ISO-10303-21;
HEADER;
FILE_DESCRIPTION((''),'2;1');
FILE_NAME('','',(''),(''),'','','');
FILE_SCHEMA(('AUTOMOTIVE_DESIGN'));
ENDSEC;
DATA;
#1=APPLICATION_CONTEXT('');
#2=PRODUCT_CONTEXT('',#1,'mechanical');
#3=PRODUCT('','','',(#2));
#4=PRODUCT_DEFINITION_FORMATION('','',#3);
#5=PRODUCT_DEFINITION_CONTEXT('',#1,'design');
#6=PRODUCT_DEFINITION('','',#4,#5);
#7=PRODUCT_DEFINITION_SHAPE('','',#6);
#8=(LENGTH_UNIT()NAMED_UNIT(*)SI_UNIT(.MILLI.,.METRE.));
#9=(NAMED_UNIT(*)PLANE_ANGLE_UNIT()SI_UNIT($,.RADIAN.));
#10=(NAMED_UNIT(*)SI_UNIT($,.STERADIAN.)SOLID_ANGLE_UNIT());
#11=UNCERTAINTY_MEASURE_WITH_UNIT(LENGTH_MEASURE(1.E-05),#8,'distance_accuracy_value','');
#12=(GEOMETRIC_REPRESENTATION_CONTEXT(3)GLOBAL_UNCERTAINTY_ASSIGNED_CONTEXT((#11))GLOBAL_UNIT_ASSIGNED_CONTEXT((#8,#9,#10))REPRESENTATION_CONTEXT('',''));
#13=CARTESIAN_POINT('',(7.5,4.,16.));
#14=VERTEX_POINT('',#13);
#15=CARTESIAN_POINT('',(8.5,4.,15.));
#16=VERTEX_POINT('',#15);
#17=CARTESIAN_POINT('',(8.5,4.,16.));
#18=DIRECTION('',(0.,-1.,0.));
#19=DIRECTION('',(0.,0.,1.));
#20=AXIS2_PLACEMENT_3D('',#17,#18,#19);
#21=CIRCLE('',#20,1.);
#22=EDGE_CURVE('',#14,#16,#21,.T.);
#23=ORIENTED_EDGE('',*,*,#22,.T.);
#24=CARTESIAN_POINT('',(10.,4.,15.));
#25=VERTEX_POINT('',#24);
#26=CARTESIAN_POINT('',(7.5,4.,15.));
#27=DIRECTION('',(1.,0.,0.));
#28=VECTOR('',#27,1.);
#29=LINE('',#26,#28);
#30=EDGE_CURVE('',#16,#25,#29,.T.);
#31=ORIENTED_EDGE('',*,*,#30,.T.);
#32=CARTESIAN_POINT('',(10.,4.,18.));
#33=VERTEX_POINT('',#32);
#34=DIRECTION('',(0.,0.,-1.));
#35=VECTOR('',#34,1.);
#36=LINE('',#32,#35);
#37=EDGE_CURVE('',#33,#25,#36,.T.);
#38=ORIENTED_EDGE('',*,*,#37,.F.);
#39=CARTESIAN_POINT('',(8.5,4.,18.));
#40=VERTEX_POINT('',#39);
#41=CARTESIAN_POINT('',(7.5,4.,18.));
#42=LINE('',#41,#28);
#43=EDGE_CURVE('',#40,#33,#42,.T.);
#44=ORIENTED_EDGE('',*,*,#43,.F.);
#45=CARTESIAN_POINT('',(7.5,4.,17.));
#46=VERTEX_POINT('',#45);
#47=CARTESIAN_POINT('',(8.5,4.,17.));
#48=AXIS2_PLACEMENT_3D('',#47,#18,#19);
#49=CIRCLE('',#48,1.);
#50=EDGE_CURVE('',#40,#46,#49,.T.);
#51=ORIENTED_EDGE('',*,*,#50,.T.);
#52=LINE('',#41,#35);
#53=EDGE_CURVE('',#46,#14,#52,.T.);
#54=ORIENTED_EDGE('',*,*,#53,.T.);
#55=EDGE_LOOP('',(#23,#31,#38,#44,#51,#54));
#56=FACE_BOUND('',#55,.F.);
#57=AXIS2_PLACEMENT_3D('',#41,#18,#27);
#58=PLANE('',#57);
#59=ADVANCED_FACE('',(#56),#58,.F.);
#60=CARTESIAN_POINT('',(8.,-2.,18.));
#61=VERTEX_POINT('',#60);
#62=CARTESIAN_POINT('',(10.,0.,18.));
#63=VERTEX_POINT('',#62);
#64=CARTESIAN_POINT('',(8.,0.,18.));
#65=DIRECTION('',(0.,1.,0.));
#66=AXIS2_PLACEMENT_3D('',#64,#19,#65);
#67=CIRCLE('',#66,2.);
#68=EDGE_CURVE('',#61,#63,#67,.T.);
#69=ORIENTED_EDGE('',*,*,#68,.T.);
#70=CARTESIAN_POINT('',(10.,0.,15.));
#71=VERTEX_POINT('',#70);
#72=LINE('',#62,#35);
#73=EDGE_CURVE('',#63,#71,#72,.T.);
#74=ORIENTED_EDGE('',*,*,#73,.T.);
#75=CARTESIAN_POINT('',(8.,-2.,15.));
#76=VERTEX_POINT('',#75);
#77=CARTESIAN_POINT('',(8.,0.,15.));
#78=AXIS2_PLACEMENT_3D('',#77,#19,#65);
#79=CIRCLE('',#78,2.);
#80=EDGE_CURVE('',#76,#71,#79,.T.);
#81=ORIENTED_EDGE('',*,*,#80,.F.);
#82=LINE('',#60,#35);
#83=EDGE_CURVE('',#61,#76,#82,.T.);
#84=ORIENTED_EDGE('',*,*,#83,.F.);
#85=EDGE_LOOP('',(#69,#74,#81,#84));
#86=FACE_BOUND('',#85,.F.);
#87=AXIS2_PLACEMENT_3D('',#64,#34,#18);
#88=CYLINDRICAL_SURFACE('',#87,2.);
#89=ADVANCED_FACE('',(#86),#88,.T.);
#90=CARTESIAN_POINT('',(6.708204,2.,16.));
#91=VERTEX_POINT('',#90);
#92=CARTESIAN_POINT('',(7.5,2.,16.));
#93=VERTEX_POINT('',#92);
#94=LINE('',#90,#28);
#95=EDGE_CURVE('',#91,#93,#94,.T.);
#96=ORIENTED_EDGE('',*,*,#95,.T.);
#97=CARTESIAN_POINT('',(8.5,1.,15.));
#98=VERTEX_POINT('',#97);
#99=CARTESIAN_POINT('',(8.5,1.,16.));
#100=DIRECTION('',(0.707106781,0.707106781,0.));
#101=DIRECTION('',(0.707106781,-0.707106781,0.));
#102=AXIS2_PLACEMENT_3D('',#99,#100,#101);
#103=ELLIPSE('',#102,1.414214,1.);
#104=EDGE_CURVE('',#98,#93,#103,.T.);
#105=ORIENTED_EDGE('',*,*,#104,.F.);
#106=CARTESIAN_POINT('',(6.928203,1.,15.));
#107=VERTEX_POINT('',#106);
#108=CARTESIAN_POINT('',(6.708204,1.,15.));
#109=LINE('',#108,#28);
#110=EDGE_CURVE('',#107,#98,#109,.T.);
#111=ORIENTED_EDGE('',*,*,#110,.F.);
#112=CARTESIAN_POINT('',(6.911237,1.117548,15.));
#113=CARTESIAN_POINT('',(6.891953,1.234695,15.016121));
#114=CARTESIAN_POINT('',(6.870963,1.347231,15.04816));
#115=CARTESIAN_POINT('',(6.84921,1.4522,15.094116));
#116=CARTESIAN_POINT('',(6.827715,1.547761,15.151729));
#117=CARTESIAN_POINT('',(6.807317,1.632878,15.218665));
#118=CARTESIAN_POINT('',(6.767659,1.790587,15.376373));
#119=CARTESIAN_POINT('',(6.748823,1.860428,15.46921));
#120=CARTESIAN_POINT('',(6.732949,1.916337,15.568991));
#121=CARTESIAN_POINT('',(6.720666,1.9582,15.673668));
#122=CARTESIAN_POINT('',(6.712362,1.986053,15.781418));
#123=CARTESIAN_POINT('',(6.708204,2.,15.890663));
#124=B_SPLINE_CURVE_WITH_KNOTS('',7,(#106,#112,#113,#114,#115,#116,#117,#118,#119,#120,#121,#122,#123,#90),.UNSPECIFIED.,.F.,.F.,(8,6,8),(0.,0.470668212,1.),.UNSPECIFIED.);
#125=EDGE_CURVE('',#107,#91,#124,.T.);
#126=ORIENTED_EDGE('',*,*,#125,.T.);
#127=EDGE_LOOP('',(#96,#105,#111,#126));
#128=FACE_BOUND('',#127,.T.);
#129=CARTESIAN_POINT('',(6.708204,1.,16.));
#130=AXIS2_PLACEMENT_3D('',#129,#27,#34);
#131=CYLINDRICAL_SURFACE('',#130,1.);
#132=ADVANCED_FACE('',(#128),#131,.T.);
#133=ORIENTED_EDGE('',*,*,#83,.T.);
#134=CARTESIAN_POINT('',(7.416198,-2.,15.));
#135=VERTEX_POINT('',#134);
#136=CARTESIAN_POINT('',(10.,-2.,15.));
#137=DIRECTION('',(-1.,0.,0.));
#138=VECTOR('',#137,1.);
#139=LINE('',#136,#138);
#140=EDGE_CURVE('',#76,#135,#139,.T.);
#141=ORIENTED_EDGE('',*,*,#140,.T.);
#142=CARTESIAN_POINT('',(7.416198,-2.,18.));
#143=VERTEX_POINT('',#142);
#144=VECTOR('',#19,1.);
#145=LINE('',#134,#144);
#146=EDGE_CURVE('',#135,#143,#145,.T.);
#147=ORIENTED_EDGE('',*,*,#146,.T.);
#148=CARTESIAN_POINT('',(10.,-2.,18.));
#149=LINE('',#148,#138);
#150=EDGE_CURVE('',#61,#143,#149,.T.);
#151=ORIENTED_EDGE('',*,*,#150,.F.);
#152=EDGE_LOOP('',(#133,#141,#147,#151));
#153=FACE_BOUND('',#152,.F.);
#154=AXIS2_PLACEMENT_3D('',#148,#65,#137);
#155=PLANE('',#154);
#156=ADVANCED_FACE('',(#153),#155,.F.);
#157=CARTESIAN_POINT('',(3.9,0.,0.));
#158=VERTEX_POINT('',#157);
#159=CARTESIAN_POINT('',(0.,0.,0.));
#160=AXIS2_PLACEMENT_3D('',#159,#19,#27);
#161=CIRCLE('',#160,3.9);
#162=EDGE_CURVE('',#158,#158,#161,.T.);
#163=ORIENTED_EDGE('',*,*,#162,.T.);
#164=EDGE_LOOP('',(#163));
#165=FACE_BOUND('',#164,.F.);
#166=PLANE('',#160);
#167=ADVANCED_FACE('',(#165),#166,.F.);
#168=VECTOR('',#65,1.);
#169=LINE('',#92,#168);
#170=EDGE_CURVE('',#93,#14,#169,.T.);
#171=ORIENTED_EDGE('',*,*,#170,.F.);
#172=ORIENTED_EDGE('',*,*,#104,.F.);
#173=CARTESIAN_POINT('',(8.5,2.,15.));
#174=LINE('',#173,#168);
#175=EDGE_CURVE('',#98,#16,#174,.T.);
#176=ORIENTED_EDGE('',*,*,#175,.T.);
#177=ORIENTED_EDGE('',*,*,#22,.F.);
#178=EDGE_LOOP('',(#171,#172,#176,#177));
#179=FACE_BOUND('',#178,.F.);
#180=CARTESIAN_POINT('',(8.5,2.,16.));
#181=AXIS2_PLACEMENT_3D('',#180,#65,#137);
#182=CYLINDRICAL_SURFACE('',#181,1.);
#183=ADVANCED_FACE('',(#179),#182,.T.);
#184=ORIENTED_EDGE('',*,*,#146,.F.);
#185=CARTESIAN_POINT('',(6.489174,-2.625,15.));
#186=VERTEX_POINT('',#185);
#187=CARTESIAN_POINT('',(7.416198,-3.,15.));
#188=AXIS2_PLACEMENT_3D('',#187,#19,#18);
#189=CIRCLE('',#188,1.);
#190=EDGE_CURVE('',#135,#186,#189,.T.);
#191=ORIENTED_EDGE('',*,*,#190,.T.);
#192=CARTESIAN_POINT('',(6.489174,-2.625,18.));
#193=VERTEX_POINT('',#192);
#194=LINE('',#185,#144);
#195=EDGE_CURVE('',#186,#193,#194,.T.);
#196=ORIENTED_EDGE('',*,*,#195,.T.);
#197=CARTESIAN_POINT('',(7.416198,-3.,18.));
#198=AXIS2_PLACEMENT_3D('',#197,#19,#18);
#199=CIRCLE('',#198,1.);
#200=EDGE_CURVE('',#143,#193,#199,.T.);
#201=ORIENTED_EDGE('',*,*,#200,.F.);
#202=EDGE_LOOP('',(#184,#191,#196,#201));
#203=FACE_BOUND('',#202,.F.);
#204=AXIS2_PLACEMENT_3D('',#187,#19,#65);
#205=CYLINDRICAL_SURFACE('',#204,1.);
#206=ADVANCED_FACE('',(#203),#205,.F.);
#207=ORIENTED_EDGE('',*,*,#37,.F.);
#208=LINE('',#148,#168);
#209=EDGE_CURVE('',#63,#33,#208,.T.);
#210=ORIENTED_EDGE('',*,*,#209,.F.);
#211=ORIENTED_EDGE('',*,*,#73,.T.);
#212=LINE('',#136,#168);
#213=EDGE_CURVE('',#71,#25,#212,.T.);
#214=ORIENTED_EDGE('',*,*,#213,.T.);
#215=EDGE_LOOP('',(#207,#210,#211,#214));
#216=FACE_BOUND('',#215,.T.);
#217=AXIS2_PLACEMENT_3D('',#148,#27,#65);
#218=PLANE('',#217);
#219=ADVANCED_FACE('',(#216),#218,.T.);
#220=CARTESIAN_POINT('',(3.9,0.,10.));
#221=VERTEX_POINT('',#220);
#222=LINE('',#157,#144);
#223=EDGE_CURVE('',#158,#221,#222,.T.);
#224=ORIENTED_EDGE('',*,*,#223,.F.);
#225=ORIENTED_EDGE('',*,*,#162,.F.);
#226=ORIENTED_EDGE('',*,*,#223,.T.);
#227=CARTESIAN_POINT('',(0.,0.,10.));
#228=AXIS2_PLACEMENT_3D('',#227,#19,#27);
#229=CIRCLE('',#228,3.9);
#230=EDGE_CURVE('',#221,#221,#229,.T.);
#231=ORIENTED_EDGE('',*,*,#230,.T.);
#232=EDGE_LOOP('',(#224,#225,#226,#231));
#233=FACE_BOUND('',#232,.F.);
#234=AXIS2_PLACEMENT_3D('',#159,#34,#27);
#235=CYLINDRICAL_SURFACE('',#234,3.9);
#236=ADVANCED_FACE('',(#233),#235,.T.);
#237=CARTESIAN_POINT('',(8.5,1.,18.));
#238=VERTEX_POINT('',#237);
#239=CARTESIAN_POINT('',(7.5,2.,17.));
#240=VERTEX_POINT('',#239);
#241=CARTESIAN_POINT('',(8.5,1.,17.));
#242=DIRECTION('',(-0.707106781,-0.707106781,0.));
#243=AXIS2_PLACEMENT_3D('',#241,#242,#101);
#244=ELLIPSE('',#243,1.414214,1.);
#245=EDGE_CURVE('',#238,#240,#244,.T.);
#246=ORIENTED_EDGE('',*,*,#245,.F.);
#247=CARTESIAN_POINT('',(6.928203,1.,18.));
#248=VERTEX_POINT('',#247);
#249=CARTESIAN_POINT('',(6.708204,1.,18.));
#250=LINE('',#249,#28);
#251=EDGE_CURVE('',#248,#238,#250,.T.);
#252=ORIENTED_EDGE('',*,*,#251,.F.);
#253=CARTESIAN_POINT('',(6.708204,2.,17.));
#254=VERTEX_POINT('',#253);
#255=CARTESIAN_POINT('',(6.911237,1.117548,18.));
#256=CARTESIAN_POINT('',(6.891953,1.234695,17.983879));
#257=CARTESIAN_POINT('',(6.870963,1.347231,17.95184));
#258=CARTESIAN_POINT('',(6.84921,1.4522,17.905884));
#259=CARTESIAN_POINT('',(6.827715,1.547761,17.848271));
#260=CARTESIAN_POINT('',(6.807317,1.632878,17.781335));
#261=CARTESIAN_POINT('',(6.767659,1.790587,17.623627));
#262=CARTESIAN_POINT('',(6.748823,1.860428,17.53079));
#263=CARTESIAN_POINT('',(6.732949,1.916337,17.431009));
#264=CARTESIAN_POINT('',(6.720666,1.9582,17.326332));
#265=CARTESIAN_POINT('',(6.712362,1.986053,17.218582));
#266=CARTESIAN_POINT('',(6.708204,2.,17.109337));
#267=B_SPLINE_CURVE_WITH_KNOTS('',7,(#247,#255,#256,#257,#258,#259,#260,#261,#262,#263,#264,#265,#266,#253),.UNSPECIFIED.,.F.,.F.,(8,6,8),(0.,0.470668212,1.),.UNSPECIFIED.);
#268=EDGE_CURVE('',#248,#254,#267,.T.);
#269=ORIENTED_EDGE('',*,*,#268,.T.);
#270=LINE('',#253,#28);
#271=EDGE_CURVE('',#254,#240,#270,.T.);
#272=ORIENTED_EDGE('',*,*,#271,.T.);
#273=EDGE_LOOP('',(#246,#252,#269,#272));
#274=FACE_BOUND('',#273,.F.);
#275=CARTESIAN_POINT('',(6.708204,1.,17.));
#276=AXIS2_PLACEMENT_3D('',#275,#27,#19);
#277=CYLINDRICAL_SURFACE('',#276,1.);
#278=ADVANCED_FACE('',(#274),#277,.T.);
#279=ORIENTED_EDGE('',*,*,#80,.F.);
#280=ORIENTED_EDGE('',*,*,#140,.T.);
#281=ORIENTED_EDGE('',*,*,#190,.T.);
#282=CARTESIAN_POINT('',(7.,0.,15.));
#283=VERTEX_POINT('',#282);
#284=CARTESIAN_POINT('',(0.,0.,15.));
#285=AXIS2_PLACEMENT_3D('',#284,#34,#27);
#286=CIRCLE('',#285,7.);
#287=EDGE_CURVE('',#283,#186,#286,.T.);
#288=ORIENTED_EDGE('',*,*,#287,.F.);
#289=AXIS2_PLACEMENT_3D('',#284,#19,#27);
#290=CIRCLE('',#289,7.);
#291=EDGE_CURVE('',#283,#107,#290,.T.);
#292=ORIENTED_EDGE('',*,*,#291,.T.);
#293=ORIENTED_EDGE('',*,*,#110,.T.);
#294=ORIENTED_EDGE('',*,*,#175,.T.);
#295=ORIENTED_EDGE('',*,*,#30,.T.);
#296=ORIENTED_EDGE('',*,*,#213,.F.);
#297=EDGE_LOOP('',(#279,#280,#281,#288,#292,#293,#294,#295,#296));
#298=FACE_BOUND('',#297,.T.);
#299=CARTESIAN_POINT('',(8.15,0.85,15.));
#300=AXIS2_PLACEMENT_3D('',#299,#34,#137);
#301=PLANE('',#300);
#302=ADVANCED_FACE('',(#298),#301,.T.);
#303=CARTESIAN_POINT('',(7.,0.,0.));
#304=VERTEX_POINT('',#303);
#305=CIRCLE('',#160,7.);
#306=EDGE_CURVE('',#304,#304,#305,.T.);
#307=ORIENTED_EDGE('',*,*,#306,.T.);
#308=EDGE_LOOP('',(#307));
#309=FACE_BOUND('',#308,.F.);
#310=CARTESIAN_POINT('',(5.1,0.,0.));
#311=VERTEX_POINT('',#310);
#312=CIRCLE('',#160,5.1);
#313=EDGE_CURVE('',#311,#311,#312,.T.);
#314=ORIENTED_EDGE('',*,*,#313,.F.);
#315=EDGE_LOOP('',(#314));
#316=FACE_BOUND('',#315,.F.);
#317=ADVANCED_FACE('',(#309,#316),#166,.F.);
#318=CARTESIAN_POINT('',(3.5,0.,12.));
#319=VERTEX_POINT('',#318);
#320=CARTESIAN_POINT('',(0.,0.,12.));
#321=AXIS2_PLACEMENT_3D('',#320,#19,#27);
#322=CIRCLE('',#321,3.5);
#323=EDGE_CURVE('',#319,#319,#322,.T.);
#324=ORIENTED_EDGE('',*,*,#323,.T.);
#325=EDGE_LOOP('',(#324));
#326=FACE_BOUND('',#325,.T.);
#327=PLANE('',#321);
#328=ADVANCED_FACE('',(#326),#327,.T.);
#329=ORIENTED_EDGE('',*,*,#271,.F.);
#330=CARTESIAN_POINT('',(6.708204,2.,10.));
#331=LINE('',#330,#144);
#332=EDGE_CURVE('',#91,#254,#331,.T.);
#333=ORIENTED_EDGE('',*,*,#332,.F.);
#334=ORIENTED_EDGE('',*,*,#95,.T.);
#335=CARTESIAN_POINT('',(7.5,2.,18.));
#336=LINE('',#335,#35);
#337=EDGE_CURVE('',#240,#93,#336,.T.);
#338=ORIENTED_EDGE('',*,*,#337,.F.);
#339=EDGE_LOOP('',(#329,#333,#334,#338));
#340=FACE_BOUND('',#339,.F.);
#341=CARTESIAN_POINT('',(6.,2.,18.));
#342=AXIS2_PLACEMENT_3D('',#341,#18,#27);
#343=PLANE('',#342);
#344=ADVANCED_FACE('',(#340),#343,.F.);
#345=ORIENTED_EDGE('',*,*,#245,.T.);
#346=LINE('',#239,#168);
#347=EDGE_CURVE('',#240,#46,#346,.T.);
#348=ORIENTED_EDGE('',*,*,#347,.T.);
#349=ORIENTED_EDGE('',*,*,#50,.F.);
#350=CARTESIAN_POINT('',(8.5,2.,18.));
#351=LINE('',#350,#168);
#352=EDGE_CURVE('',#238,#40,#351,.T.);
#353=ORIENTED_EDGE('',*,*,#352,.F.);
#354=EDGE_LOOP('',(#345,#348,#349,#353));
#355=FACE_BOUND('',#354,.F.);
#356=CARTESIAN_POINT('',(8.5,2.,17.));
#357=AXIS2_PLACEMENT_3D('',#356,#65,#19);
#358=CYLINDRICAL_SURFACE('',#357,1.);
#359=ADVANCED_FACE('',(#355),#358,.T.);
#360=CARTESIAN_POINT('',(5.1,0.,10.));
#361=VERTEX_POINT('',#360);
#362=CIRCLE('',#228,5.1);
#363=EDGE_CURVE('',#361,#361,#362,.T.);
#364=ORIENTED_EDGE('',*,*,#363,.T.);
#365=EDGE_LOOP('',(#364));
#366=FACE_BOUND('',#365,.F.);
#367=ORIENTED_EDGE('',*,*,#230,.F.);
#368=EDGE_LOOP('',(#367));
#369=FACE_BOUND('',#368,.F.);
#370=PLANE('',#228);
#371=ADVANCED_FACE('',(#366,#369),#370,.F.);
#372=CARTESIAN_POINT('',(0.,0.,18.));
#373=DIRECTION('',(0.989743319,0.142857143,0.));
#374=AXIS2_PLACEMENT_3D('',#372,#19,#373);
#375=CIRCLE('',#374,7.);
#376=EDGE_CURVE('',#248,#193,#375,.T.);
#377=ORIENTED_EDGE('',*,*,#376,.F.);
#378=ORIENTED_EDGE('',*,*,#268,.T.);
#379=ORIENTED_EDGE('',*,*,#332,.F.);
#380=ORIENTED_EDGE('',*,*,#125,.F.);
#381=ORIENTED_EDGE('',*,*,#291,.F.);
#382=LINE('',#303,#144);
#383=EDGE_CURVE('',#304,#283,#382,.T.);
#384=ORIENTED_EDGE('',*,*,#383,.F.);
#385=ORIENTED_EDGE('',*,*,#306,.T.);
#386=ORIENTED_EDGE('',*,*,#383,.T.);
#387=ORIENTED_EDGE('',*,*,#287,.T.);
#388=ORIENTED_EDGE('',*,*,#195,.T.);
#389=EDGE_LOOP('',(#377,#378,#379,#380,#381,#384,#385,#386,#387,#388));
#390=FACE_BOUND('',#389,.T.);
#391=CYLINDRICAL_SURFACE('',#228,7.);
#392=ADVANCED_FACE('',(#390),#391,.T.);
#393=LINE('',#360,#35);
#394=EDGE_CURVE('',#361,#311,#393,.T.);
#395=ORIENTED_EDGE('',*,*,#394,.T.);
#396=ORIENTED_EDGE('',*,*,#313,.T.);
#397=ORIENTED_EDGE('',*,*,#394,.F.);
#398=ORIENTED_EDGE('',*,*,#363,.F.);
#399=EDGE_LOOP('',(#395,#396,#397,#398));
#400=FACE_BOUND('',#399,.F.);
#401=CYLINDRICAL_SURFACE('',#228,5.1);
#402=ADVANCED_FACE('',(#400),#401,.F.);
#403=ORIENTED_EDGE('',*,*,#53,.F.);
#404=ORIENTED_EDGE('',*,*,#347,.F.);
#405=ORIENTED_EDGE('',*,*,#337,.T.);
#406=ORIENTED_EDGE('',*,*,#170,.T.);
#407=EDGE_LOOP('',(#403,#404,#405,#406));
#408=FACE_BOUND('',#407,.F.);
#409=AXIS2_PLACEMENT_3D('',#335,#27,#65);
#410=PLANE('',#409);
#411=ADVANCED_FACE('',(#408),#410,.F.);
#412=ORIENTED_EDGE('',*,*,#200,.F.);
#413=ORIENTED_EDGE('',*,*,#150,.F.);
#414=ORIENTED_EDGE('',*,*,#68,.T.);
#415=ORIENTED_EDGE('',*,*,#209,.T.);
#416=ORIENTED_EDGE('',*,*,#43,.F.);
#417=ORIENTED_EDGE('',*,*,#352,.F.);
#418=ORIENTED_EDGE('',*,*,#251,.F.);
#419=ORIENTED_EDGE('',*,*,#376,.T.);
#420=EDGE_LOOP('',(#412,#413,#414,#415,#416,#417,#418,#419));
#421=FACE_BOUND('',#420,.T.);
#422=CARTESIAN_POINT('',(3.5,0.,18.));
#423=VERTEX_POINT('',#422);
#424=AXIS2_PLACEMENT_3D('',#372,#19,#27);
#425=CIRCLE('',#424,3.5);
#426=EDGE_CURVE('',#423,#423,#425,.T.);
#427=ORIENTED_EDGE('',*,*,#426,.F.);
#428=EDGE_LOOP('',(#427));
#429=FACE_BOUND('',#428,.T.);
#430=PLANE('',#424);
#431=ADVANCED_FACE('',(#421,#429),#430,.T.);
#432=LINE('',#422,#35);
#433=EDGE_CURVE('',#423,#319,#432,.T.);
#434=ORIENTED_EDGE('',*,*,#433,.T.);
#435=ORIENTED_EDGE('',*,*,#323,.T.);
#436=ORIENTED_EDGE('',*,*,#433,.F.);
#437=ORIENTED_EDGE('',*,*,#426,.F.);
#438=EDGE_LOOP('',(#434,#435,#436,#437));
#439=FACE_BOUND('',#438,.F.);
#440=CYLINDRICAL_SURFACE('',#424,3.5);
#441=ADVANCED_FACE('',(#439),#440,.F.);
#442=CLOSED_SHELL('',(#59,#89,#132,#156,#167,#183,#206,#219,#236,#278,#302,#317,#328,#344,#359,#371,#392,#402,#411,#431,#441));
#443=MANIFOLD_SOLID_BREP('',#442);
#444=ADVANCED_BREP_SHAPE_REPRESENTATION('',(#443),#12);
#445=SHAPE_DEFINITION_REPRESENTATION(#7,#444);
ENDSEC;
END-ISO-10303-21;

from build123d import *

# Parameters (mm, degrees)
SKETCH059_R     = 3.9
PAD013_DEPTH    = 10
SKETCH060_R     = 7
PAD014_DEPTH    = 8
SKETCH061_R     = 3.5
POCKET033_DEPTH = 6
SKETCH062_R     = 7
SKETCH062_R_2   = 5.1
PAD015_DEPTH    = 10
PAD016_DEPTH    = 3
FILLET014_R     = 2
FILLET015_R     = 1
FILLET016_R     = 1


with BuildPart() as part:
    # Sketch059 → Pad013 (new body)
    with BuildSketch(Plane.XY):
        Circle(SKETCH059_R)
    extrude(amount=PAD013_DEPTH)

    # Sketch060 → Pad014 (join)
    with BuildSketch(Plane.XY.offset(10)):
        Circle(SKETCH060_R)
    extrude(amount=PAD014_DEPTH)

    # Sketch061 → Pocket033 (cut)
    with BuildSketch(Plane.XY.offset(18)):
        Circle(SKETCH061_R)
    extrude(amount=-POCKET033_DEPTH, mode=Mode.SUBTRACT)

    # Sketch062 → Pad015 (join)
    with BuildSketch(Plane.XY.offset(10)):
        Circle(SKETCH062_R)
        Circle(SKETCH062_R_2, mode=Mode.SUBTRACT)
    extrude(amount=-PAD015_DEPTH)

    # Sketch063 → Pad016 (join)
    with BuildSketch(Plane.XY.offset(18)):
        Polygon((6, 2), (7.5, 2), (7.5, 4), (10, 4), (10, 2), (10, -2), (6, -2), align=None)
    extrude(amount=-PAD016_DEPTH)

    # Fillet014
    fillet014_edges = [part.edges().sort_by_distance(p)[0] for p in [
        (10, -2, 16.5),
    ]]
    fillet(fillet014_edges, radius=FILLET014_R)

    # Fillet015
    fillet015_edges = [part.edges().sort_by_distance(p)[0] for p in [
        (6.708204, -2, 16.5),
    ]]
    fillet(fillet015_edges, radius=FILLET015_R)

    # Fillet016
    fillet016_edges = [part.edges().sort_by_distance(p)[0] for p in [
        (7.104102, 2, 15),
        (7.5, 3, 15),
        (7.104102, 2, 18),
        (7.5, 3, 18),
    ]]
    fillet(fillet016_edges, radius=FILLET016_R)


solid = part.part
